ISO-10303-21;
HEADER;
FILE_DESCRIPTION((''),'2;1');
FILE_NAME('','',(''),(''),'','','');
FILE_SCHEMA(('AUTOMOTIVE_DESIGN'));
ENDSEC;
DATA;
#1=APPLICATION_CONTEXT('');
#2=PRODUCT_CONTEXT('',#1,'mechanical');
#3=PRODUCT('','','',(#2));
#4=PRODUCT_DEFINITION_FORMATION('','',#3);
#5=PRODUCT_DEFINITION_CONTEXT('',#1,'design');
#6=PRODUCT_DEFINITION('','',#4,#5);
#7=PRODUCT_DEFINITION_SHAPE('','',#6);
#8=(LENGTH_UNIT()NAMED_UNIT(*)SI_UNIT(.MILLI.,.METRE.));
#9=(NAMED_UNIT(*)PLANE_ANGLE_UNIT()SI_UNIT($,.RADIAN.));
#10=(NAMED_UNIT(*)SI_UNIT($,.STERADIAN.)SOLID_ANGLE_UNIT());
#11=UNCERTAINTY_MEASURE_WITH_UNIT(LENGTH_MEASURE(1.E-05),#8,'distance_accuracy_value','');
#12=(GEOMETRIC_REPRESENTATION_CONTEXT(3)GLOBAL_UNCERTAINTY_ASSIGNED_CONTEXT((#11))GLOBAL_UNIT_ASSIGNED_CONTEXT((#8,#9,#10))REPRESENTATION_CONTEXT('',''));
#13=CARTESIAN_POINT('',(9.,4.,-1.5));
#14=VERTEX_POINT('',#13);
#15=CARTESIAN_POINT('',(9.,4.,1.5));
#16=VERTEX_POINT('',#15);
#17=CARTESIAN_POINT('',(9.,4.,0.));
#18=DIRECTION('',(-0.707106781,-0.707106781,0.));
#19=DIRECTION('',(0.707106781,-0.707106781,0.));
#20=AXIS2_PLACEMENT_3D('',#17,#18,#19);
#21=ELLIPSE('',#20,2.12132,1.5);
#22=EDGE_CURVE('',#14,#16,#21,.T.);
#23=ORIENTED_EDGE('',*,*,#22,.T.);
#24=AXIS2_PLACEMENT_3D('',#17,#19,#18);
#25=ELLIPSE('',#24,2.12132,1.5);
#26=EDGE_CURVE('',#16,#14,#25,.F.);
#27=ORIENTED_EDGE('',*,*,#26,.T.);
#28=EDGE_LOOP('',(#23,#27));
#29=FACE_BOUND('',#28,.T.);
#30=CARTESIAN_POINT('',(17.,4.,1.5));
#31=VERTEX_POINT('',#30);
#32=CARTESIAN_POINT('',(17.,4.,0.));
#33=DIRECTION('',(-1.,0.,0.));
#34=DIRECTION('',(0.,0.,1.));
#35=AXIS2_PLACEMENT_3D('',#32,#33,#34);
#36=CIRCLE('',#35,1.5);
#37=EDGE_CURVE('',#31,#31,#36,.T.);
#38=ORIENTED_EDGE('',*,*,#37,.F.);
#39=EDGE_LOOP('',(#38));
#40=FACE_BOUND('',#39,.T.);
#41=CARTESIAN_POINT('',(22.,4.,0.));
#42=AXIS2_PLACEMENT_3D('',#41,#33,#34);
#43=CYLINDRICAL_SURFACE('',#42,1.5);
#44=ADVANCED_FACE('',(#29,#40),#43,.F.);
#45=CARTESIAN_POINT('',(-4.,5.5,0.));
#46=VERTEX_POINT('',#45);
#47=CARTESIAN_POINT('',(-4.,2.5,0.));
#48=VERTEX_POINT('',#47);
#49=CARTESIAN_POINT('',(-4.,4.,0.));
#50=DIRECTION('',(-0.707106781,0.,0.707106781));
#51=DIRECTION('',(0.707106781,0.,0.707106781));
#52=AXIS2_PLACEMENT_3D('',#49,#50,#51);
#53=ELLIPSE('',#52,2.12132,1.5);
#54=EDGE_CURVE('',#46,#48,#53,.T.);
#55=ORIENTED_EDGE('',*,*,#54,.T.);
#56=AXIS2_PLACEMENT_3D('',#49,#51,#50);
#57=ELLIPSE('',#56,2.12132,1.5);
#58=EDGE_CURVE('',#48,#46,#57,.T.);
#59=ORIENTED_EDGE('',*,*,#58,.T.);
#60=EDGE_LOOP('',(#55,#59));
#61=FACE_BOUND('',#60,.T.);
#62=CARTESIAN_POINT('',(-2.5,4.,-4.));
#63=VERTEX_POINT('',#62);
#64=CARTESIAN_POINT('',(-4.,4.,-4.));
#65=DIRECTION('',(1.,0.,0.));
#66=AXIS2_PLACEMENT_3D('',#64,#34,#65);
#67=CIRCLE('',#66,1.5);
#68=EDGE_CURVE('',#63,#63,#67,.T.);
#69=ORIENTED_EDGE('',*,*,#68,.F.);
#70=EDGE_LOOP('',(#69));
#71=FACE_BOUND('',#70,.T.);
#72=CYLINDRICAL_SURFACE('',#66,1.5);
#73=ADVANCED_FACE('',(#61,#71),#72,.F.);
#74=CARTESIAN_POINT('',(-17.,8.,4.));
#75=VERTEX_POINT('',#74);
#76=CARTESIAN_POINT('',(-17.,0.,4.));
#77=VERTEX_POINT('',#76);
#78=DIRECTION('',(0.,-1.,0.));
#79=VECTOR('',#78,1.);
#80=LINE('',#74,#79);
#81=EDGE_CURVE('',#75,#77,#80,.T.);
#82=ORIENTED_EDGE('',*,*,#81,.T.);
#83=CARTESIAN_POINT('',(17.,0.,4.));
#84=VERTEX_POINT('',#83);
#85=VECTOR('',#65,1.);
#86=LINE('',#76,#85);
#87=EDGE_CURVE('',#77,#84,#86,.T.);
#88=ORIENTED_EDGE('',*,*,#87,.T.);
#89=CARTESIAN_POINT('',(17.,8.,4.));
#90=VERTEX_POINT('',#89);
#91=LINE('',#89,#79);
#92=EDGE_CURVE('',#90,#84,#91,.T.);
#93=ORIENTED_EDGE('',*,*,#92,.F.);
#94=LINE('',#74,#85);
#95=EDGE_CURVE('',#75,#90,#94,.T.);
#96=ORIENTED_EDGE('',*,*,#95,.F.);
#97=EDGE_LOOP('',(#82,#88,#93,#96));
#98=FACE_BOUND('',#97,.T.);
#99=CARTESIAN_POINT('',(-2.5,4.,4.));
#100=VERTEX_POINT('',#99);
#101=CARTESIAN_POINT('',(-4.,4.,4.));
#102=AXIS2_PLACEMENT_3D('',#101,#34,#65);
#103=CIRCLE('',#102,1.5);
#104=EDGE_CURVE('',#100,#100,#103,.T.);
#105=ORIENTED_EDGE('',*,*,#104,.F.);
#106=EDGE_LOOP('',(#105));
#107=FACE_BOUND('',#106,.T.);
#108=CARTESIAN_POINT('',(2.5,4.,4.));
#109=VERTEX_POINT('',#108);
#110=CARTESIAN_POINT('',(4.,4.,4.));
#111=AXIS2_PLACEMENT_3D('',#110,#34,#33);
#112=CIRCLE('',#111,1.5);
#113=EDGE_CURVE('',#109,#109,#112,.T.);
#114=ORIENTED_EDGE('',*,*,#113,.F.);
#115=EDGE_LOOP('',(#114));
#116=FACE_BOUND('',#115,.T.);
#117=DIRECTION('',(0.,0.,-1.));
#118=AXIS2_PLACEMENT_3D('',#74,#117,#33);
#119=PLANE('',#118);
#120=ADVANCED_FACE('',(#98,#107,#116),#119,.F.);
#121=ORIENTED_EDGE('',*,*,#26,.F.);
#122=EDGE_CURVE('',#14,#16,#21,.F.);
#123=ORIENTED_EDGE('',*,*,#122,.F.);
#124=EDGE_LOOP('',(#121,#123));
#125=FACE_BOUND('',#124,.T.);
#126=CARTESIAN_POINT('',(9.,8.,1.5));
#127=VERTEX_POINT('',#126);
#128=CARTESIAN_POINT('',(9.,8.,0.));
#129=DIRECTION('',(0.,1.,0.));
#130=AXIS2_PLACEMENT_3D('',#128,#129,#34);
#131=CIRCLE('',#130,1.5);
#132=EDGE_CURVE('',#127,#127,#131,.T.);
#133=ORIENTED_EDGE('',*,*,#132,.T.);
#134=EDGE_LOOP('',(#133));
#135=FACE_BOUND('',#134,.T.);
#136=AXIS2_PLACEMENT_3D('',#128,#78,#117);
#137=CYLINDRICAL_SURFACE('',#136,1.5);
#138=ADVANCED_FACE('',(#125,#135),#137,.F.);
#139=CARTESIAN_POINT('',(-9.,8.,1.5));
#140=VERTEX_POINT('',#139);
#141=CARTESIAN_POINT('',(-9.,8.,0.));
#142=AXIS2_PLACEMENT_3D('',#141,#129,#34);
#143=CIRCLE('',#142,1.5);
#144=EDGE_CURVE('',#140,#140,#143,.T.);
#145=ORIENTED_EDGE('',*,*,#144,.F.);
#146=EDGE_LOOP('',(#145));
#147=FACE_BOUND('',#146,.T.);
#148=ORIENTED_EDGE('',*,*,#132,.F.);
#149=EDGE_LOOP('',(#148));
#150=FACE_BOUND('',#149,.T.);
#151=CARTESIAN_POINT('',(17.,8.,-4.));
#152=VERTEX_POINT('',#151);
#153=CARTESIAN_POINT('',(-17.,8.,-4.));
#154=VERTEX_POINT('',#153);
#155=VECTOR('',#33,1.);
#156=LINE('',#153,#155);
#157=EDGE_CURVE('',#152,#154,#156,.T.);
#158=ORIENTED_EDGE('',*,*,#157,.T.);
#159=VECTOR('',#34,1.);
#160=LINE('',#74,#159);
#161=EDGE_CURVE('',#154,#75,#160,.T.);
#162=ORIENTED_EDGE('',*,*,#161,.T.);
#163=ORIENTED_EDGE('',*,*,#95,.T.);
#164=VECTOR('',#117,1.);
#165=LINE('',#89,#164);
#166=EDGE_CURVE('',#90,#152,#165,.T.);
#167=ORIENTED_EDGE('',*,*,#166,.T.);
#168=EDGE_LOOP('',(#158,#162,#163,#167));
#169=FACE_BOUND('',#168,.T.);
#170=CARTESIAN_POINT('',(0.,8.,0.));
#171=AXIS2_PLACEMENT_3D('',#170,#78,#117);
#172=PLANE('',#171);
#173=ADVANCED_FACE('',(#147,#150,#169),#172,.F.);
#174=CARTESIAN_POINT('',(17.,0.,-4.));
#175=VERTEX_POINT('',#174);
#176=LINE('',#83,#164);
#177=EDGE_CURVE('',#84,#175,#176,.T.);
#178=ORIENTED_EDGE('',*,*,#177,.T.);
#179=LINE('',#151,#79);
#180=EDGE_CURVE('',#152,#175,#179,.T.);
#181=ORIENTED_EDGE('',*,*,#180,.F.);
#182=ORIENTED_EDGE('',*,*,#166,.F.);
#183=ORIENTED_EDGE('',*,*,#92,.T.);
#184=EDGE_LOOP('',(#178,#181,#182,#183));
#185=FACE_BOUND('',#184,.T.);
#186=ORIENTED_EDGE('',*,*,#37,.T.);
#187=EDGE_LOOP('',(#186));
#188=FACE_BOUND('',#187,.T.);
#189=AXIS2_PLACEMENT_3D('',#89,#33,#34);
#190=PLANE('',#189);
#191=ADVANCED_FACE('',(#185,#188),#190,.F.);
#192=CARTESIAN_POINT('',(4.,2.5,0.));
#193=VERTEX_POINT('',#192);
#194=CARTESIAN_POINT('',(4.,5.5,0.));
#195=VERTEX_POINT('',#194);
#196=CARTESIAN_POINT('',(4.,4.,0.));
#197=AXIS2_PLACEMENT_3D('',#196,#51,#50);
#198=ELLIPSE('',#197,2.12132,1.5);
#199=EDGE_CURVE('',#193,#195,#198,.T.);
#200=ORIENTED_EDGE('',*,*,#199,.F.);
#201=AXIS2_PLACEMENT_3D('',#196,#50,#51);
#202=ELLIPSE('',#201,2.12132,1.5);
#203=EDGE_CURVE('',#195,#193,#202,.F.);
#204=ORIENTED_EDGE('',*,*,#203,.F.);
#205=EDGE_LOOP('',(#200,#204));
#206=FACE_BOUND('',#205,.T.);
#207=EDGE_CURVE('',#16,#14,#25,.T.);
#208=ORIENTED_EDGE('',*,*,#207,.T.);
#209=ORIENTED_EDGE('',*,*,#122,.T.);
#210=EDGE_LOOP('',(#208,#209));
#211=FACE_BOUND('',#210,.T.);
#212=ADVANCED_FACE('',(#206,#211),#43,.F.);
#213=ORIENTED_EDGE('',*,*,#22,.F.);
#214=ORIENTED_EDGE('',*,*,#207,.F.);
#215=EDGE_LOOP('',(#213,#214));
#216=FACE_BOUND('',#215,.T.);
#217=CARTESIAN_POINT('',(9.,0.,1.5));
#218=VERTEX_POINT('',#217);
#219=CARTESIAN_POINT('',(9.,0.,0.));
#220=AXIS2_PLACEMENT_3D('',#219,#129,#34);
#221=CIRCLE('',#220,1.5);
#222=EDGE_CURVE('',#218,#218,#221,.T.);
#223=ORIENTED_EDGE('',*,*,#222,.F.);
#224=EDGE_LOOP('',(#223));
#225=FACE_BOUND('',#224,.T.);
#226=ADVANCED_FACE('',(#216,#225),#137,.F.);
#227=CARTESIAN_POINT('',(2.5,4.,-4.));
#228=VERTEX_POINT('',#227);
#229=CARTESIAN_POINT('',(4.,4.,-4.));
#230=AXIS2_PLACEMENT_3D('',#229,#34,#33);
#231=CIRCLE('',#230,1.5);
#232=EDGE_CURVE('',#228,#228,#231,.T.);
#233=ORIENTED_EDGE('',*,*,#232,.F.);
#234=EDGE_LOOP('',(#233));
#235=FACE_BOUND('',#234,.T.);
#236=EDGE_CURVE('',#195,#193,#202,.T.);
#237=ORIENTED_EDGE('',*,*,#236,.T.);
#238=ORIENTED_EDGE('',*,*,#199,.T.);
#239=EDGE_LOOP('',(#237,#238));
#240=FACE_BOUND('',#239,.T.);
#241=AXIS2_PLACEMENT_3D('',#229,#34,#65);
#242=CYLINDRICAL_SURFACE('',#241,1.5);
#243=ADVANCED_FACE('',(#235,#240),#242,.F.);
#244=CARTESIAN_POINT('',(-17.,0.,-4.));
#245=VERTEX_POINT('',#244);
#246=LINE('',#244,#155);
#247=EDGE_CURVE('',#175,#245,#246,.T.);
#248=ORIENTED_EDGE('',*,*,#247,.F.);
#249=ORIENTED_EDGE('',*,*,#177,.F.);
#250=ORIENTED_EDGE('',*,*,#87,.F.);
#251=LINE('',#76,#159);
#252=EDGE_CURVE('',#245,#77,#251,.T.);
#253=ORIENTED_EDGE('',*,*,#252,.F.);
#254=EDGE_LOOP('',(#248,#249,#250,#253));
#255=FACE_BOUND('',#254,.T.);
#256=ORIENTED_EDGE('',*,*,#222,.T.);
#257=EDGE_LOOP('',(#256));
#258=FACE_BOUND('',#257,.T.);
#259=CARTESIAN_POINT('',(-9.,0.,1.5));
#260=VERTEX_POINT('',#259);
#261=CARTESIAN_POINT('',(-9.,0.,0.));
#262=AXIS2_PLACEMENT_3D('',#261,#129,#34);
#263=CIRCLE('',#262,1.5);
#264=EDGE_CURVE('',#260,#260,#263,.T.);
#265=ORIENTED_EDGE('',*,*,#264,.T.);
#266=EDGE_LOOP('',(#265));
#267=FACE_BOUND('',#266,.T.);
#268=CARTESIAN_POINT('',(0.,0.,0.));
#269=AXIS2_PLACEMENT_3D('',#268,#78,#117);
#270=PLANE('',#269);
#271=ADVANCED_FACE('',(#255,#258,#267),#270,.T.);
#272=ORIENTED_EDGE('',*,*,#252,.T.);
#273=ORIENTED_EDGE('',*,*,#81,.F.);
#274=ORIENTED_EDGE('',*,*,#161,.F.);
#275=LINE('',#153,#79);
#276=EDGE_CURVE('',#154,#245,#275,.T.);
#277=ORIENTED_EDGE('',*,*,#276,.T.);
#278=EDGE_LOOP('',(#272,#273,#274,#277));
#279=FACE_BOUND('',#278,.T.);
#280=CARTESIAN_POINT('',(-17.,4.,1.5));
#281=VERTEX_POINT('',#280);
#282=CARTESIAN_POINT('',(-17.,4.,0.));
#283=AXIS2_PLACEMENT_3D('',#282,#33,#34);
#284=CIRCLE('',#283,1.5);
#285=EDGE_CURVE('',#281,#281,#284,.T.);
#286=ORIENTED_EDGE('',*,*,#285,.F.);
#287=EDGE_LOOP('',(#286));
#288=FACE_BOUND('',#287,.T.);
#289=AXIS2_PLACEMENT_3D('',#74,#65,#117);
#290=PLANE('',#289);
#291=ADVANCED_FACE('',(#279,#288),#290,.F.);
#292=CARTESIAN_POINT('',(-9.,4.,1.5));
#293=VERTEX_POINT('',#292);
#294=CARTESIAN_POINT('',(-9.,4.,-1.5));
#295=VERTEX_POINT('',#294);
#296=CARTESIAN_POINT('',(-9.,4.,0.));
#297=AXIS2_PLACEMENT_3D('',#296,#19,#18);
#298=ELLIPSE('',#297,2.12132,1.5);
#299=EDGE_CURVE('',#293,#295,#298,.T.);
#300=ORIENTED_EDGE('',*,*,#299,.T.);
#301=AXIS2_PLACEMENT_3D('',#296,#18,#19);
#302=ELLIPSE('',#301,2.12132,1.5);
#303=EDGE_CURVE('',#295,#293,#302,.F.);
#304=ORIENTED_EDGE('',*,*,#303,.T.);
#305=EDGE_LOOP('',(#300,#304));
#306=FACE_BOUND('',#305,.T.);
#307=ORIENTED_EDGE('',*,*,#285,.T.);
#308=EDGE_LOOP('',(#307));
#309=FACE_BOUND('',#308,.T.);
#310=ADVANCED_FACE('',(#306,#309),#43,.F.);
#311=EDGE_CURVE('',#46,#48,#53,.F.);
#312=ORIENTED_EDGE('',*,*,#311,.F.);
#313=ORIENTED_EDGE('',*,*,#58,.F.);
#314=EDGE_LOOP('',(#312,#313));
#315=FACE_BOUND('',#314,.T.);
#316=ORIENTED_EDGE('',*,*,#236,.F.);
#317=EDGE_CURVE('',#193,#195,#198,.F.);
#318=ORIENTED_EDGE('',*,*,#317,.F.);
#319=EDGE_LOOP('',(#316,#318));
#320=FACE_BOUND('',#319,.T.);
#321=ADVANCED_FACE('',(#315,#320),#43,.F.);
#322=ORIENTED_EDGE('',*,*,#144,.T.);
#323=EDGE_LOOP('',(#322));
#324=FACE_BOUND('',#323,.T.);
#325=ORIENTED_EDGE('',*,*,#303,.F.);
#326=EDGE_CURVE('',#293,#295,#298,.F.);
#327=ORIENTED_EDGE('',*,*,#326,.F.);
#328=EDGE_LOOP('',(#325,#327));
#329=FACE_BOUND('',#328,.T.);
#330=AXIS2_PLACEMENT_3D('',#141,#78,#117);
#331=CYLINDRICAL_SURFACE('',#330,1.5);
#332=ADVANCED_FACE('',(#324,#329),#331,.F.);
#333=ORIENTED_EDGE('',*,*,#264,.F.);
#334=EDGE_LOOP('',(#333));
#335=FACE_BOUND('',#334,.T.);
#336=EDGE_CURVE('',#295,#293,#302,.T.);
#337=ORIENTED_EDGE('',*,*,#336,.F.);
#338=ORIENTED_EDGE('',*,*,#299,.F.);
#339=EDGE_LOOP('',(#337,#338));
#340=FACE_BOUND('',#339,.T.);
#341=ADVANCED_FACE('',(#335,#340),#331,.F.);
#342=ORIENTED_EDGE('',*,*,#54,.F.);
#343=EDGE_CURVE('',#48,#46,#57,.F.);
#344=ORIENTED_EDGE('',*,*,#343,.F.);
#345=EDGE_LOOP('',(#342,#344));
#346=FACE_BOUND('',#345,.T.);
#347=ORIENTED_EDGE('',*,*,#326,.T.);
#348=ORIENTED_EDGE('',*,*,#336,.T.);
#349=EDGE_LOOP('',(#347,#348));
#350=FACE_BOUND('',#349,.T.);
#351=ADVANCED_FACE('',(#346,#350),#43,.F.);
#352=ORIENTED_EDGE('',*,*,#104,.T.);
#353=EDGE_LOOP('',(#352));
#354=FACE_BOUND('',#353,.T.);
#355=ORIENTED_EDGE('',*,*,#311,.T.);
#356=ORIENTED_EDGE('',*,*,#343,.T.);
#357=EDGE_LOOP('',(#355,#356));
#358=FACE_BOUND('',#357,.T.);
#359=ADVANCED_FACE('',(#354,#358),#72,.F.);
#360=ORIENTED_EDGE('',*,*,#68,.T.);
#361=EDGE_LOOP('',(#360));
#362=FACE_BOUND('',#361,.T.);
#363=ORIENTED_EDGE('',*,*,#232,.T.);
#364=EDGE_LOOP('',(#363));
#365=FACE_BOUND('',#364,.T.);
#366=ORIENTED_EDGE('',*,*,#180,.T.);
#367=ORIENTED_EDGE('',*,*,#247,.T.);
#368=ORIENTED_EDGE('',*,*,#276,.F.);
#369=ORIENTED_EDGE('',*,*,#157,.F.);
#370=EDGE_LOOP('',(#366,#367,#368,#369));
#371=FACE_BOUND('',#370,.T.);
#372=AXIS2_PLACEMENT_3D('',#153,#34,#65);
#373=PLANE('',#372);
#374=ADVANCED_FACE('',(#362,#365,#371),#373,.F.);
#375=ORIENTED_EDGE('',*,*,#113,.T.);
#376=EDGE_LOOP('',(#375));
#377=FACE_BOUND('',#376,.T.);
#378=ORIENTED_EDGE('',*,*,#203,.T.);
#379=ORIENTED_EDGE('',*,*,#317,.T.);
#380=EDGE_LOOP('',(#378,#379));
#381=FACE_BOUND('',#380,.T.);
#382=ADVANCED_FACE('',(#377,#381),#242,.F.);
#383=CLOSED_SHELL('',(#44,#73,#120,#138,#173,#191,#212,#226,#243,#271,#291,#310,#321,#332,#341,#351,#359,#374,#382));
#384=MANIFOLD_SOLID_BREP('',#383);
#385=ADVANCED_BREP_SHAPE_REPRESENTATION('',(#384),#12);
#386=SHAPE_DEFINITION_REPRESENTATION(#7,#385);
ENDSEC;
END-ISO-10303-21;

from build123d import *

# Parameters (mm, degrees)
SKETCH_1_W          = 34
SKETCH_1_H          = 8
SKETCH_1_R          = 1.5
EXTRUDE_1_DEPTH     = 8
SKETCH_2_R          = 1.5
CUT_EXTRUDE_1_DEPTH = 8
SKETCH_3_R          = 1.5
CUT_EXTRUDE_2_DEPTH = 39


with BuildPart() as part:
    # 草图1 → 凸台-拉伸1 (new body)
    with BuildSketch(Plane(origin=(0, 0, 0), x_dir=(1, 0, 0), z_dir=(0, 1, 0))):
        Rectangle(SKETCH_1_W, SKETCH_1_H)
        with Locations(Location((-9, 0, 0), (0, 0, 270))):
            Circle(SKETCH_1_R, mode=Mode.SUBTRACT)
        with Locations(Location((9, 0, 0), (0, 0, 270))):
            Circle(SKETCH_1_R, mode=Mode.SUBTRACT)
    extrude(amount=EXTRUDE_1_DEPTH)

    # 草图2 → 切除-拉伸1 (cut)
    with BuildSketch(Plane.XY.offset(4)):
        with Locations((-4, 4)):
            Circle(SKETCH_2_R)
        with Locations(Location((4, 4, 0), (0, 0, 180))):
            Circle(SKETCH_2_R)
    extrude(amount=-CUT_EXTRUDE_1_DEPTH, mode=Mode.SUBTRACT)

    # 草图3 → 切除-拉伸2 (cut)
    with BuildSketch(Plane.ZY.offset(17)):
        with Locations((0, 4)):
            Circle(SKETCH_3_R)
    extrude(amount=-CUT_EXTRUDE_2_DEPTH, mode=Mode.SUBTRACT)


solid = part.part
